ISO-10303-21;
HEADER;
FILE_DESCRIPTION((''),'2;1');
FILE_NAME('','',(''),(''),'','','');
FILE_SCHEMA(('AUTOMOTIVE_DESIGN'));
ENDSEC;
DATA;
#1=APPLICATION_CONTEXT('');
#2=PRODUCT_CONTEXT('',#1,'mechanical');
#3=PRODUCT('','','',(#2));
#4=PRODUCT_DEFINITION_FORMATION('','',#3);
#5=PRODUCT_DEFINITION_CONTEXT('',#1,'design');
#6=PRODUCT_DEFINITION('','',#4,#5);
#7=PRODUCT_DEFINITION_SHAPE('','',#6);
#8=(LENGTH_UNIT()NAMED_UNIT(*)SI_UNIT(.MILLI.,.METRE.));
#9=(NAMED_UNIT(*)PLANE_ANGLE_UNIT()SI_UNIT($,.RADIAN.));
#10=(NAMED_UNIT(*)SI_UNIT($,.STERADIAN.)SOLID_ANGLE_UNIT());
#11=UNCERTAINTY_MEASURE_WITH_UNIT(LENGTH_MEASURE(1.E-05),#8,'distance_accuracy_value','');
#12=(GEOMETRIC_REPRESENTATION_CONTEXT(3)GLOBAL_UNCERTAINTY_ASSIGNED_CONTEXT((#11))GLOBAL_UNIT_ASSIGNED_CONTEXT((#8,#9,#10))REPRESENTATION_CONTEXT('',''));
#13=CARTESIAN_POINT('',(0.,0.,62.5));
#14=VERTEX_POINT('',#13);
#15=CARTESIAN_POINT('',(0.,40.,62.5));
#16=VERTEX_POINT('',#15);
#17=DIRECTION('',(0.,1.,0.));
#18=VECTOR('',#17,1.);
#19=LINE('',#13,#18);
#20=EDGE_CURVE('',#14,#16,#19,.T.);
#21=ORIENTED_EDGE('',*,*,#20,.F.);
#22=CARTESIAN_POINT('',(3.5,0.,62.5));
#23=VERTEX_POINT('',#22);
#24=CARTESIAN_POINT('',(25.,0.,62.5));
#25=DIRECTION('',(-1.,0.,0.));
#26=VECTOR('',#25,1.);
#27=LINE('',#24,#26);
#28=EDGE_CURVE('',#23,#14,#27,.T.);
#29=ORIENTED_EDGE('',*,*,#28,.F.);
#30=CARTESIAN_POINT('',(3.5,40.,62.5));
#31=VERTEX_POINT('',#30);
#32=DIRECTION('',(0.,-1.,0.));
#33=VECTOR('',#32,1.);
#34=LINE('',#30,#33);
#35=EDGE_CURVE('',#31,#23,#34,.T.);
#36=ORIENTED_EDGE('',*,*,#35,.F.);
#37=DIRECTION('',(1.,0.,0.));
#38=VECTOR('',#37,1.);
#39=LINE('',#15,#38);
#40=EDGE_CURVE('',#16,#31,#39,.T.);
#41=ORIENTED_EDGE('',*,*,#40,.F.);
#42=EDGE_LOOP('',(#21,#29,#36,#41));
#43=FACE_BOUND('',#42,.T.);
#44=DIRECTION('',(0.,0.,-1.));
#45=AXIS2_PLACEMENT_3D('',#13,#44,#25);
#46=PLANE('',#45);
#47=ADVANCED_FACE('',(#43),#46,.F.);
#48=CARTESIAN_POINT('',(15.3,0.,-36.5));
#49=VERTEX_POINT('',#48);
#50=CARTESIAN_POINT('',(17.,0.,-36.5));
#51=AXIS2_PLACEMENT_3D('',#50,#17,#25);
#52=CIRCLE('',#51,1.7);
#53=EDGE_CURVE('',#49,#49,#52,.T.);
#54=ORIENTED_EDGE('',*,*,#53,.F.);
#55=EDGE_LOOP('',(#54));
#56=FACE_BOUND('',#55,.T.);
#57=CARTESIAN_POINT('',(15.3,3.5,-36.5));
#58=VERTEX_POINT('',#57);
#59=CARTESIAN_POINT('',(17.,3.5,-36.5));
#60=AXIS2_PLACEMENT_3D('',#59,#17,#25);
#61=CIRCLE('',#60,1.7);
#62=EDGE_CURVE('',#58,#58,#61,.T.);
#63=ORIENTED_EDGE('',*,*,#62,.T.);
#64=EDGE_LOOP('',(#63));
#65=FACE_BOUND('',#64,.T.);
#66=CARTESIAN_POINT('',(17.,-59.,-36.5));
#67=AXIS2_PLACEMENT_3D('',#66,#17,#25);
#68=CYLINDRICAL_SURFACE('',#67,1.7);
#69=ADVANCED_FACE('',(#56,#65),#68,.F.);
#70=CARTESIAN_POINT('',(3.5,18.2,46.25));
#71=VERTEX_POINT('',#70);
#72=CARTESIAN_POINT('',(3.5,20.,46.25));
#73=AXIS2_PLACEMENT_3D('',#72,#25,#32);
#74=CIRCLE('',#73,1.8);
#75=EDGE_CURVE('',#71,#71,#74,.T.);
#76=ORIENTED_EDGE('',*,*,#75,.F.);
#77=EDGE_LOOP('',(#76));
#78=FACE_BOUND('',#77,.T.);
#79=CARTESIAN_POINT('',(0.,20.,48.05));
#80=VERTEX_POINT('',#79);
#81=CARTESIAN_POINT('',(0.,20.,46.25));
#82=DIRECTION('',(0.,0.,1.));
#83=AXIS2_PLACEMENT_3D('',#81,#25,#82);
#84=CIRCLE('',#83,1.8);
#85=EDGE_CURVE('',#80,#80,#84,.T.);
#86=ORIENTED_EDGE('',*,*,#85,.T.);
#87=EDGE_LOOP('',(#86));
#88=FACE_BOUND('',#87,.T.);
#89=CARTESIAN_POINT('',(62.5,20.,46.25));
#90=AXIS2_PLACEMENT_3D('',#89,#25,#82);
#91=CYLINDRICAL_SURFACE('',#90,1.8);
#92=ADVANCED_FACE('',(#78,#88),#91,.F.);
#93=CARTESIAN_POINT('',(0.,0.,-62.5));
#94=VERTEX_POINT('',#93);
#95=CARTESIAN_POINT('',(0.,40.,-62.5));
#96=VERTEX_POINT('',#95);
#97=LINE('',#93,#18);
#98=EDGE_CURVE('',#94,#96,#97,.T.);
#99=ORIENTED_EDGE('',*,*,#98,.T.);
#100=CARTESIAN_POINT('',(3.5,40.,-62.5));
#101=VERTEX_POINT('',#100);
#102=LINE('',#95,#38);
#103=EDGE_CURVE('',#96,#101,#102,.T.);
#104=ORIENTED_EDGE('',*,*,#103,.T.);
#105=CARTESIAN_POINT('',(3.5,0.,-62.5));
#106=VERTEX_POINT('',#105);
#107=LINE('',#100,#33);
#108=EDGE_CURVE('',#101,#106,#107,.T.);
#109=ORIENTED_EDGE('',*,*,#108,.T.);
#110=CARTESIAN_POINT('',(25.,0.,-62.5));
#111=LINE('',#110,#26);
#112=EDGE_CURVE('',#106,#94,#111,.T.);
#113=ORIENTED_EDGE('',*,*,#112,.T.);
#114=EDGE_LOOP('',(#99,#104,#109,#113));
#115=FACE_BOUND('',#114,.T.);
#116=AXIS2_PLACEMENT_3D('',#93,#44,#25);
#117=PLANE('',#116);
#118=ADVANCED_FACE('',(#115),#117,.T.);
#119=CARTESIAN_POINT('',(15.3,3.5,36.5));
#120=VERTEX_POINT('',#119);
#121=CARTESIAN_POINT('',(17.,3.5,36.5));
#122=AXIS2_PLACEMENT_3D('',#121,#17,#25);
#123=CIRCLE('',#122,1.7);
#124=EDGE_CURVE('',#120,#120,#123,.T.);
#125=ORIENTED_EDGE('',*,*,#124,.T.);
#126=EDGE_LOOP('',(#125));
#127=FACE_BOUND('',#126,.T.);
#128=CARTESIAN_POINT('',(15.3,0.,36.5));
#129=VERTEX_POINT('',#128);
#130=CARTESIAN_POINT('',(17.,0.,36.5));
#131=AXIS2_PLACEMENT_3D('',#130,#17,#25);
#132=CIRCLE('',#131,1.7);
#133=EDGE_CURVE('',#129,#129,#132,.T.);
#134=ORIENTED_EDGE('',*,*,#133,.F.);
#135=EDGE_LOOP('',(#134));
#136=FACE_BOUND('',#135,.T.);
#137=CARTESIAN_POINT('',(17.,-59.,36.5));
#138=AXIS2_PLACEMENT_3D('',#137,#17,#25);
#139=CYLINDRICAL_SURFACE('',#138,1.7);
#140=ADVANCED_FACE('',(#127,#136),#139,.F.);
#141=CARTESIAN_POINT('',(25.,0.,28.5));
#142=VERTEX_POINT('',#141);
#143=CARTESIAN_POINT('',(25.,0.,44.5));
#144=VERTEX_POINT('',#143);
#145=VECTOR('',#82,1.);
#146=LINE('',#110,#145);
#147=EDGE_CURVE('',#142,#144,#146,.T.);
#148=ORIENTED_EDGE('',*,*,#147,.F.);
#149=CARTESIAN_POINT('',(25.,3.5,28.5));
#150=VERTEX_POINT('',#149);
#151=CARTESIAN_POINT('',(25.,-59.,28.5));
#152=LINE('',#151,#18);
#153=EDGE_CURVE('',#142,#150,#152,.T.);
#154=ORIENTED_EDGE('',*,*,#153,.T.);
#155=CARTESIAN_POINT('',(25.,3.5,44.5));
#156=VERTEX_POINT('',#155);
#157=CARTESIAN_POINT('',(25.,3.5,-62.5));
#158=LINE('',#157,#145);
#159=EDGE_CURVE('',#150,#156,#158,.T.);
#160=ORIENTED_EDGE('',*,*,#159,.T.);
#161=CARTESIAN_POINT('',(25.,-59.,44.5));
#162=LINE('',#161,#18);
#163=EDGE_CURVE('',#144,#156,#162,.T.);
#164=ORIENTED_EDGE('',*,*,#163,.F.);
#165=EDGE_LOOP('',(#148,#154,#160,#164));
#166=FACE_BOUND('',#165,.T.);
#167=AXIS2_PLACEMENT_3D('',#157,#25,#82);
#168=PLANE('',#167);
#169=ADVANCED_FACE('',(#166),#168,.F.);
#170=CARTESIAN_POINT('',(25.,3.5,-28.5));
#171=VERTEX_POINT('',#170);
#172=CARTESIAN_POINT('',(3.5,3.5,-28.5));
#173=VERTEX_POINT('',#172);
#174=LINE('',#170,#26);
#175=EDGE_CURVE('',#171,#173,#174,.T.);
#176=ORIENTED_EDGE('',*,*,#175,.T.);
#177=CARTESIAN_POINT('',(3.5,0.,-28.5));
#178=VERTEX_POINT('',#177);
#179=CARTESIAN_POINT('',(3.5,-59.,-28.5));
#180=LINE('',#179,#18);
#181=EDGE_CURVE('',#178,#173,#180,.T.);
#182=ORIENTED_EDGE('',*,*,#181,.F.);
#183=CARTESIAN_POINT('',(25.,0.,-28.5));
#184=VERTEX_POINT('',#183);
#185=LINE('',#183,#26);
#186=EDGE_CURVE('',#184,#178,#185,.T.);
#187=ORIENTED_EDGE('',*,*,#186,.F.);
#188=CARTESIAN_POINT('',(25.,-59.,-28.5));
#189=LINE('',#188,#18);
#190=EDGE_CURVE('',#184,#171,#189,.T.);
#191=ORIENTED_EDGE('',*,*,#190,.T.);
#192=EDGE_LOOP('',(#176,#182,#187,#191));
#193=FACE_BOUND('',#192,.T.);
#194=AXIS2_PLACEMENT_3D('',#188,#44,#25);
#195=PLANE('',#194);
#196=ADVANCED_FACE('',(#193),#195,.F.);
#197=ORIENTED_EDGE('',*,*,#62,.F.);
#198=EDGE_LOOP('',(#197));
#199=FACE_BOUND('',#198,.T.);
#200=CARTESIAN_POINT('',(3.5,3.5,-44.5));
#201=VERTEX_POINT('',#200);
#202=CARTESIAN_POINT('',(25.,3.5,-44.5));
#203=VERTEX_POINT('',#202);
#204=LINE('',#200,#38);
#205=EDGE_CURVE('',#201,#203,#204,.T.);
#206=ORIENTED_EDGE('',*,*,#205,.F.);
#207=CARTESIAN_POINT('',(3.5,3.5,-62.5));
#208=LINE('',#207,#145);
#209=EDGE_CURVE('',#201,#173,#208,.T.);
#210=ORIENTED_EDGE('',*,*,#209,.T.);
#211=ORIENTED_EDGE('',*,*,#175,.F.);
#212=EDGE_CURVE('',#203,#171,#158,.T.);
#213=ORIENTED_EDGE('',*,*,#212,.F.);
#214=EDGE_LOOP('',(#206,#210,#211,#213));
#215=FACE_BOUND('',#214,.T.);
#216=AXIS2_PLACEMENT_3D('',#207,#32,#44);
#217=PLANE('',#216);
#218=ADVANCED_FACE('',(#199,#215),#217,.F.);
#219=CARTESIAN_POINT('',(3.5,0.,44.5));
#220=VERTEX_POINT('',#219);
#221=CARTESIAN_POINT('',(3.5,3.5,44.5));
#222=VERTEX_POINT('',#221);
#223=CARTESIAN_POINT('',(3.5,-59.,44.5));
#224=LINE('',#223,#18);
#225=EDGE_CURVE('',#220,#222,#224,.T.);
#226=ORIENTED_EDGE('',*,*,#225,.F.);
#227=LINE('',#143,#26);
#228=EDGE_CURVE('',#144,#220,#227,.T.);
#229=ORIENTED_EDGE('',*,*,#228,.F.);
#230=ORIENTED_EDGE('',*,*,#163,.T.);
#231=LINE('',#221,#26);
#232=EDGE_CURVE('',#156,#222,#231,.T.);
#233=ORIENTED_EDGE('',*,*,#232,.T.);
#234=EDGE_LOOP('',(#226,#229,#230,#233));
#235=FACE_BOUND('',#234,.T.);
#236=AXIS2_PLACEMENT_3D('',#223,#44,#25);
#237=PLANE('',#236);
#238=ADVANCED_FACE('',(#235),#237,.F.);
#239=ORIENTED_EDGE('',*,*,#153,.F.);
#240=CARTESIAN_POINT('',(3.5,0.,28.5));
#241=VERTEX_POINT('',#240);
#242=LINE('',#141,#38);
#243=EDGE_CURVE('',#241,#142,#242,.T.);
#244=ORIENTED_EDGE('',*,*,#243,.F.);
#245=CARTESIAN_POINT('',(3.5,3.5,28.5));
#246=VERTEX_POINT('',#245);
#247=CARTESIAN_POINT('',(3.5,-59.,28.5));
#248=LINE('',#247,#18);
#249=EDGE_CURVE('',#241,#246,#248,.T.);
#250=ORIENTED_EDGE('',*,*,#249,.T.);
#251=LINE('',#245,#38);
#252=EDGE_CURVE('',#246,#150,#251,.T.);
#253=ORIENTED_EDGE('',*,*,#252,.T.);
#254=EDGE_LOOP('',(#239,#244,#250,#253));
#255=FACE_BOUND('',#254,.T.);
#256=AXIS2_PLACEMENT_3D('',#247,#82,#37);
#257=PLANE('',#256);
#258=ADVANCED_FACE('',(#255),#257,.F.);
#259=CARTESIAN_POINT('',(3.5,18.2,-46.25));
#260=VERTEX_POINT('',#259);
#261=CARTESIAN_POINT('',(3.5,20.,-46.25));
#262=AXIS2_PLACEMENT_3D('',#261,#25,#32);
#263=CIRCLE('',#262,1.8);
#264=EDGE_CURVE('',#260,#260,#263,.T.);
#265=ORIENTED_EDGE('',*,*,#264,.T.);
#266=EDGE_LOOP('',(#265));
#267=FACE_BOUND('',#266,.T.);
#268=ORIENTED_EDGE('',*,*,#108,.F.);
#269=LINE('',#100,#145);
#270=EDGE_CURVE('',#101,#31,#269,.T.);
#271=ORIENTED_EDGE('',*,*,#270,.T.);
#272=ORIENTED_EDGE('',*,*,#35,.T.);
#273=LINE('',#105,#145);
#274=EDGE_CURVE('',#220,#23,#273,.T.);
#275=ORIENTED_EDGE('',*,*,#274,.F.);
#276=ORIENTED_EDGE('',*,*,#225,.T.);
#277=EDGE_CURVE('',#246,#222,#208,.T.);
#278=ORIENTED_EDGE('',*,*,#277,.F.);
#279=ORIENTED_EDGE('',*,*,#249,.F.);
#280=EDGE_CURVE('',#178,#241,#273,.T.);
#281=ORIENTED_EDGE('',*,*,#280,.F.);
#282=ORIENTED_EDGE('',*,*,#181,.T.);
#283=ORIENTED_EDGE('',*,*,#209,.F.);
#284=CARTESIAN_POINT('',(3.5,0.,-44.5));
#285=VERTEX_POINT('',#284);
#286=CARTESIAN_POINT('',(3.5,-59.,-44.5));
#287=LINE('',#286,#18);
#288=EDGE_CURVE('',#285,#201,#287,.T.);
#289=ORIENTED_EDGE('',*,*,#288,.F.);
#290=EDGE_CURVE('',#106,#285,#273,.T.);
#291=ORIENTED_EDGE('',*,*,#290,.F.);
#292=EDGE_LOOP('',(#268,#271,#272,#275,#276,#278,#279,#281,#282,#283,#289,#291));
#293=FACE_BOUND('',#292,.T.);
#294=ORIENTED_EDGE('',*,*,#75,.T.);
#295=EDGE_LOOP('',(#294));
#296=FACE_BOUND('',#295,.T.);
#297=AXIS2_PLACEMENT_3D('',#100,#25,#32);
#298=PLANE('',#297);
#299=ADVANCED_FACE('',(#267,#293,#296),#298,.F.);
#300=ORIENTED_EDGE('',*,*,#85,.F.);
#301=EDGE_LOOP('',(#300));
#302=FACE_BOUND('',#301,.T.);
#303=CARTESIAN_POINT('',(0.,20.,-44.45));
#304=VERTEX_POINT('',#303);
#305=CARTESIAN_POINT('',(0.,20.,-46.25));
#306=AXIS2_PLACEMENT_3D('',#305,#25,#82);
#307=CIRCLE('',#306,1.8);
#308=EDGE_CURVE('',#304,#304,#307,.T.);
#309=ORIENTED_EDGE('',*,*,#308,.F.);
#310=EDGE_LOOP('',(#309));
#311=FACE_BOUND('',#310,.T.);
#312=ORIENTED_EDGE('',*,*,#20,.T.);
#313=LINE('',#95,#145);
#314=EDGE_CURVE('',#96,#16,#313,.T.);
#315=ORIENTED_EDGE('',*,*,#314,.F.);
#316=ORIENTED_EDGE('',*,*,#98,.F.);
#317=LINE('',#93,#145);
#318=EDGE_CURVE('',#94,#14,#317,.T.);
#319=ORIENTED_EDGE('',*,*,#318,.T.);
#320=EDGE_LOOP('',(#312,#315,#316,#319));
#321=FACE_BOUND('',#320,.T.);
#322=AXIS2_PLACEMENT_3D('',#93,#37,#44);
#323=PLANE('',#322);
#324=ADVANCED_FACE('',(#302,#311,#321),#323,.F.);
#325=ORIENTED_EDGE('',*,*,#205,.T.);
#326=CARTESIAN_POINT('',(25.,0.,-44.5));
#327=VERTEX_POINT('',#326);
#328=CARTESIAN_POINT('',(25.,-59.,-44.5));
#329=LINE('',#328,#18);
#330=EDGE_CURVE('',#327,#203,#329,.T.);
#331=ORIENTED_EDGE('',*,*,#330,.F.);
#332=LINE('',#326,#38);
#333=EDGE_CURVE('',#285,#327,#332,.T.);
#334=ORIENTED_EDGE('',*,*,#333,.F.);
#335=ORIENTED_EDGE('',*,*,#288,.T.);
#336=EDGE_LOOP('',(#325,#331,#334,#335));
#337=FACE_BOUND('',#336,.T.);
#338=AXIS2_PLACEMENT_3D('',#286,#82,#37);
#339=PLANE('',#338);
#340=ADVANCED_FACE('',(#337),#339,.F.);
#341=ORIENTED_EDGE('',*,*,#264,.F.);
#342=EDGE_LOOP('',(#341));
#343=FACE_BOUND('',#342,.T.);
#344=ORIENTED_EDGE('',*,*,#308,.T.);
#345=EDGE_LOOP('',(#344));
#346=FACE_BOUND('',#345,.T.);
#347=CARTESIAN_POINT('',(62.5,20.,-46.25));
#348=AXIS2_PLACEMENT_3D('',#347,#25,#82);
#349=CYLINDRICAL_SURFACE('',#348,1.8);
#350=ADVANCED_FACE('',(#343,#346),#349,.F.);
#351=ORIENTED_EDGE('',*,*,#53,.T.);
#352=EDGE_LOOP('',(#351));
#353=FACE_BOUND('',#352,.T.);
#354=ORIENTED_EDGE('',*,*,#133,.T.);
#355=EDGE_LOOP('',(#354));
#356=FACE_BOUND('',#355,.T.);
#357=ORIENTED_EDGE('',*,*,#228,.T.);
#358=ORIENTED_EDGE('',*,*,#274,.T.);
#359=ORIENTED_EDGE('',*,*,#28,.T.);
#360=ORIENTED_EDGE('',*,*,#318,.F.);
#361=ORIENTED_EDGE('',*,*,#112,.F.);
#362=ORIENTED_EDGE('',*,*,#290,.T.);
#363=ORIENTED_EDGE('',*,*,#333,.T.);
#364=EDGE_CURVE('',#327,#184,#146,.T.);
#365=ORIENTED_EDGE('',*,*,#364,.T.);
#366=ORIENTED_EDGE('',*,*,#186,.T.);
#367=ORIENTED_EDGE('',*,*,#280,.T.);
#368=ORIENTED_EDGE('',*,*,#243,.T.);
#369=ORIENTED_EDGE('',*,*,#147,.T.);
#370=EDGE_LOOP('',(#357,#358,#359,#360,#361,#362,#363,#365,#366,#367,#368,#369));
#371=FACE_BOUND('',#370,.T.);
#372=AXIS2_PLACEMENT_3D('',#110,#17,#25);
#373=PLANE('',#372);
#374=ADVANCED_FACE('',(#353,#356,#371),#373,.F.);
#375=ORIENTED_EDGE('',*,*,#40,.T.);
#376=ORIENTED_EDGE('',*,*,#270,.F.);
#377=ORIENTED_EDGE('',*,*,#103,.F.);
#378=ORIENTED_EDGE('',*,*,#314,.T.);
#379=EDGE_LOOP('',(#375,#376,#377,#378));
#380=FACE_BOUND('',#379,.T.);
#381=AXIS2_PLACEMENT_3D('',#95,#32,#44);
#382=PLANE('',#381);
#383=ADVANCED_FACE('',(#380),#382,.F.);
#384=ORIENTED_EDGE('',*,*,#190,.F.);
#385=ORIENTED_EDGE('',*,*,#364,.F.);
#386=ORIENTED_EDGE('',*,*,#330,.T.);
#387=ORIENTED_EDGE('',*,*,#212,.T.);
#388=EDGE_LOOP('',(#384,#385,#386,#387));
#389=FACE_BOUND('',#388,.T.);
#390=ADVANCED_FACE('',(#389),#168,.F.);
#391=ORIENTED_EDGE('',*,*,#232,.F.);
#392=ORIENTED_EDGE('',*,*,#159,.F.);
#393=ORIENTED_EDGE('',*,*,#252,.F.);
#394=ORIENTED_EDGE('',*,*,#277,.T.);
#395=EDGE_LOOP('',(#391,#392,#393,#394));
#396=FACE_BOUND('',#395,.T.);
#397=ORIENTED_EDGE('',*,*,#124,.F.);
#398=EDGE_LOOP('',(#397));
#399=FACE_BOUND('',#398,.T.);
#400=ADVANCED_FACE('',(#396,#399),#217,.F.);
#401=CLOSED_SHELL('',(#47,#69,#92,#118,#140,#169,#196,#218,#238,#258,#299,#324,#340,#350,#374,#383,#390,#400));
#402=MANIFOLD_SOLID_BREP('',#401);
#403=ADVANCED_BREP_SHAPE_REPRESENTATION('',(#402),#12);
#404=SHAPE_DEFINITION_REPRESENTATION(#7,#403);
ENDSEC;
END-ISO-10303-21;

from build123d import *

# Parameters (mm, degrees)
BOSS_EXTRUDE3_DEPTH      = 62.5
BOSS_EXTRUDE3_DEPTH_BACK = 62.5
SKETCH4_R                = 1.8
CUT_EXTRUDE1_DEPTH       = 62.5
SKETCH5_R                = 1.8
CUT_EXTRUDE2_DEPTH       = 62.5
SKETCH7_W                = 21.5
SKETCH7_H                = 18
CUT_EXTRUDE5_DEPTH       = 62.5
SKETCH10_W               = 21.5
SKETCH10_H               = 18
CUT_EXTRUDE7_DEPTH       = 62.5
SKETCH13_W               = 21.5
SKETCH13_H               = 28.5
CUT_EXTRUDE9_DEPTH       = 62.5
SKETCH18_W               = 21.5
SKETCH18_H               = 28.5
CUT_EXTRUDE10_DEPTH      = 62.5
SKETCH20_R               = 1.7
CUT_EXTRUDE11_DEPTH      = 62.5
SKETCH21_R               = 1.7
CUT_EXTRUDE12_DEPTH      = 62.5


with BuildPart() as part:
    # Sketch1 → Boss-Extrude3 (new, two sides: drawn at the far end of the back side and taken through both)
    with BuildSketch(Plane.XY.offset(-BOSS_EXTRUDE3_DEPTH_BACK)):
        Polygon((0, 0), (0, 40), (3.5, 40), (3.5, 3.5), (25, 3.5), (25, 0), align=None)
    extrude(amount=BOSS_EXTRUDE3_DEPTH + BOSS_EXTRUDE3_DEPTH_BACK)

    # Sketch4 → Cut-Extrude1 (cut)
    with BuildSketch(Plane.ZY):
        with Locations((-46.25, 20)):
            Circle(SKETCH4_R)
    extrude(amount=-CUT_EXTRUDE1_DEPTH, mode=Mode.SUBTRACT)

    # Sketch5 → Cut-Extrude2 (cut)
    with BuildSketch(Plane.ZY):
        with Locations((46.25, 20)):
            Circle(SKETCH5_R)
    extrude(amount=-CUT_EXTRUDE2_DEPTH, mode=Mode.SUBTRACT)

    # Sketch7 → Cut-Extrude5 (cut)
    with BuildSketch(Plane(origin=(0, 3.5, 0), x_dir=(1, 0, 0), z_dir=(0, 1, 0))):
        with Locations((14.25, -53.5)):
            Rectangle(SKETCH7_W, SKETCH7_H)
    extrude(amount=-CUT_EXTRUDE5_DEPTH, mode=Mode.SUBTRACT)

    # Sketch10 → Cut-Extrude7 (cut)
    with BuildSketch(Plane(origin=(0, 3.5, 0), x_dir=(1, 0, 0), z_dir=(0, 1, 0))):
        with Locations((14.25, 53.5)):
            Rectangle(SKETCH10_W, SKETCH10_H)
    extrude(amount=-CUT_EXTRUDE7_DEPTH, mode=Mode.SUBTRACT)

    # Sketch13 → Cut-Extrude9 (cut)
    with BuildSketch(Plane(origin=(0, 3.5, 0), x_dir=(1, 0, 0), z_dir=(0, 1, 0))):
        with Locations((14.25, -14.25)):
            Rectangle(SKETCH13_W, SKETCH13_H)
    extrude(amount=-CUT_EXTRUDE9_DEPTH, mode=Mode.SUBTRACT)

    # Sketch18 → Cut-Extrude10 (cut)
    with BuildSketch(Plane(origin=(0, 3.5, 0), x_dir=(1, 0, 0), z_dir=(0, 1, 0))):
        with Locations((14.25, 14.25)):
            Rectangle(SKETCH18_W, SKETCH18_H)
    extrude(amount=-CUT_EXTRUDE10_DEPTH, mode=Mode.SUBTRACT)

    # Sketch20 → Cut-Extrude11 (cut)
    with BuildSketch(Plane(origin=(0, 3.5, 0), x_dir=(1, 0, 0), z_dir=(0, 1, 0))):
        with Locations((17, 36.5)):
            Circle(SKETCH20_R)
    extrude(amount=-CUT_EXTRUDE11_DEPTH, mode=Mode.SUBTRACT)

    # Sketch21 → Cut-Extrude12 (cut)
    with BuildSketch(Plane(origin=(0, 3.5, 0), x_dir=(1, 0, 0), z_dir=(0, 1, 0))):
        with Locations((17, -36.5)):
            Circle(SKETCH21_R)
    extrude(amount=-CUT_EXTRUDE12_DEPTH, mode=Mode.SUBTRACT)


solid = part.part
